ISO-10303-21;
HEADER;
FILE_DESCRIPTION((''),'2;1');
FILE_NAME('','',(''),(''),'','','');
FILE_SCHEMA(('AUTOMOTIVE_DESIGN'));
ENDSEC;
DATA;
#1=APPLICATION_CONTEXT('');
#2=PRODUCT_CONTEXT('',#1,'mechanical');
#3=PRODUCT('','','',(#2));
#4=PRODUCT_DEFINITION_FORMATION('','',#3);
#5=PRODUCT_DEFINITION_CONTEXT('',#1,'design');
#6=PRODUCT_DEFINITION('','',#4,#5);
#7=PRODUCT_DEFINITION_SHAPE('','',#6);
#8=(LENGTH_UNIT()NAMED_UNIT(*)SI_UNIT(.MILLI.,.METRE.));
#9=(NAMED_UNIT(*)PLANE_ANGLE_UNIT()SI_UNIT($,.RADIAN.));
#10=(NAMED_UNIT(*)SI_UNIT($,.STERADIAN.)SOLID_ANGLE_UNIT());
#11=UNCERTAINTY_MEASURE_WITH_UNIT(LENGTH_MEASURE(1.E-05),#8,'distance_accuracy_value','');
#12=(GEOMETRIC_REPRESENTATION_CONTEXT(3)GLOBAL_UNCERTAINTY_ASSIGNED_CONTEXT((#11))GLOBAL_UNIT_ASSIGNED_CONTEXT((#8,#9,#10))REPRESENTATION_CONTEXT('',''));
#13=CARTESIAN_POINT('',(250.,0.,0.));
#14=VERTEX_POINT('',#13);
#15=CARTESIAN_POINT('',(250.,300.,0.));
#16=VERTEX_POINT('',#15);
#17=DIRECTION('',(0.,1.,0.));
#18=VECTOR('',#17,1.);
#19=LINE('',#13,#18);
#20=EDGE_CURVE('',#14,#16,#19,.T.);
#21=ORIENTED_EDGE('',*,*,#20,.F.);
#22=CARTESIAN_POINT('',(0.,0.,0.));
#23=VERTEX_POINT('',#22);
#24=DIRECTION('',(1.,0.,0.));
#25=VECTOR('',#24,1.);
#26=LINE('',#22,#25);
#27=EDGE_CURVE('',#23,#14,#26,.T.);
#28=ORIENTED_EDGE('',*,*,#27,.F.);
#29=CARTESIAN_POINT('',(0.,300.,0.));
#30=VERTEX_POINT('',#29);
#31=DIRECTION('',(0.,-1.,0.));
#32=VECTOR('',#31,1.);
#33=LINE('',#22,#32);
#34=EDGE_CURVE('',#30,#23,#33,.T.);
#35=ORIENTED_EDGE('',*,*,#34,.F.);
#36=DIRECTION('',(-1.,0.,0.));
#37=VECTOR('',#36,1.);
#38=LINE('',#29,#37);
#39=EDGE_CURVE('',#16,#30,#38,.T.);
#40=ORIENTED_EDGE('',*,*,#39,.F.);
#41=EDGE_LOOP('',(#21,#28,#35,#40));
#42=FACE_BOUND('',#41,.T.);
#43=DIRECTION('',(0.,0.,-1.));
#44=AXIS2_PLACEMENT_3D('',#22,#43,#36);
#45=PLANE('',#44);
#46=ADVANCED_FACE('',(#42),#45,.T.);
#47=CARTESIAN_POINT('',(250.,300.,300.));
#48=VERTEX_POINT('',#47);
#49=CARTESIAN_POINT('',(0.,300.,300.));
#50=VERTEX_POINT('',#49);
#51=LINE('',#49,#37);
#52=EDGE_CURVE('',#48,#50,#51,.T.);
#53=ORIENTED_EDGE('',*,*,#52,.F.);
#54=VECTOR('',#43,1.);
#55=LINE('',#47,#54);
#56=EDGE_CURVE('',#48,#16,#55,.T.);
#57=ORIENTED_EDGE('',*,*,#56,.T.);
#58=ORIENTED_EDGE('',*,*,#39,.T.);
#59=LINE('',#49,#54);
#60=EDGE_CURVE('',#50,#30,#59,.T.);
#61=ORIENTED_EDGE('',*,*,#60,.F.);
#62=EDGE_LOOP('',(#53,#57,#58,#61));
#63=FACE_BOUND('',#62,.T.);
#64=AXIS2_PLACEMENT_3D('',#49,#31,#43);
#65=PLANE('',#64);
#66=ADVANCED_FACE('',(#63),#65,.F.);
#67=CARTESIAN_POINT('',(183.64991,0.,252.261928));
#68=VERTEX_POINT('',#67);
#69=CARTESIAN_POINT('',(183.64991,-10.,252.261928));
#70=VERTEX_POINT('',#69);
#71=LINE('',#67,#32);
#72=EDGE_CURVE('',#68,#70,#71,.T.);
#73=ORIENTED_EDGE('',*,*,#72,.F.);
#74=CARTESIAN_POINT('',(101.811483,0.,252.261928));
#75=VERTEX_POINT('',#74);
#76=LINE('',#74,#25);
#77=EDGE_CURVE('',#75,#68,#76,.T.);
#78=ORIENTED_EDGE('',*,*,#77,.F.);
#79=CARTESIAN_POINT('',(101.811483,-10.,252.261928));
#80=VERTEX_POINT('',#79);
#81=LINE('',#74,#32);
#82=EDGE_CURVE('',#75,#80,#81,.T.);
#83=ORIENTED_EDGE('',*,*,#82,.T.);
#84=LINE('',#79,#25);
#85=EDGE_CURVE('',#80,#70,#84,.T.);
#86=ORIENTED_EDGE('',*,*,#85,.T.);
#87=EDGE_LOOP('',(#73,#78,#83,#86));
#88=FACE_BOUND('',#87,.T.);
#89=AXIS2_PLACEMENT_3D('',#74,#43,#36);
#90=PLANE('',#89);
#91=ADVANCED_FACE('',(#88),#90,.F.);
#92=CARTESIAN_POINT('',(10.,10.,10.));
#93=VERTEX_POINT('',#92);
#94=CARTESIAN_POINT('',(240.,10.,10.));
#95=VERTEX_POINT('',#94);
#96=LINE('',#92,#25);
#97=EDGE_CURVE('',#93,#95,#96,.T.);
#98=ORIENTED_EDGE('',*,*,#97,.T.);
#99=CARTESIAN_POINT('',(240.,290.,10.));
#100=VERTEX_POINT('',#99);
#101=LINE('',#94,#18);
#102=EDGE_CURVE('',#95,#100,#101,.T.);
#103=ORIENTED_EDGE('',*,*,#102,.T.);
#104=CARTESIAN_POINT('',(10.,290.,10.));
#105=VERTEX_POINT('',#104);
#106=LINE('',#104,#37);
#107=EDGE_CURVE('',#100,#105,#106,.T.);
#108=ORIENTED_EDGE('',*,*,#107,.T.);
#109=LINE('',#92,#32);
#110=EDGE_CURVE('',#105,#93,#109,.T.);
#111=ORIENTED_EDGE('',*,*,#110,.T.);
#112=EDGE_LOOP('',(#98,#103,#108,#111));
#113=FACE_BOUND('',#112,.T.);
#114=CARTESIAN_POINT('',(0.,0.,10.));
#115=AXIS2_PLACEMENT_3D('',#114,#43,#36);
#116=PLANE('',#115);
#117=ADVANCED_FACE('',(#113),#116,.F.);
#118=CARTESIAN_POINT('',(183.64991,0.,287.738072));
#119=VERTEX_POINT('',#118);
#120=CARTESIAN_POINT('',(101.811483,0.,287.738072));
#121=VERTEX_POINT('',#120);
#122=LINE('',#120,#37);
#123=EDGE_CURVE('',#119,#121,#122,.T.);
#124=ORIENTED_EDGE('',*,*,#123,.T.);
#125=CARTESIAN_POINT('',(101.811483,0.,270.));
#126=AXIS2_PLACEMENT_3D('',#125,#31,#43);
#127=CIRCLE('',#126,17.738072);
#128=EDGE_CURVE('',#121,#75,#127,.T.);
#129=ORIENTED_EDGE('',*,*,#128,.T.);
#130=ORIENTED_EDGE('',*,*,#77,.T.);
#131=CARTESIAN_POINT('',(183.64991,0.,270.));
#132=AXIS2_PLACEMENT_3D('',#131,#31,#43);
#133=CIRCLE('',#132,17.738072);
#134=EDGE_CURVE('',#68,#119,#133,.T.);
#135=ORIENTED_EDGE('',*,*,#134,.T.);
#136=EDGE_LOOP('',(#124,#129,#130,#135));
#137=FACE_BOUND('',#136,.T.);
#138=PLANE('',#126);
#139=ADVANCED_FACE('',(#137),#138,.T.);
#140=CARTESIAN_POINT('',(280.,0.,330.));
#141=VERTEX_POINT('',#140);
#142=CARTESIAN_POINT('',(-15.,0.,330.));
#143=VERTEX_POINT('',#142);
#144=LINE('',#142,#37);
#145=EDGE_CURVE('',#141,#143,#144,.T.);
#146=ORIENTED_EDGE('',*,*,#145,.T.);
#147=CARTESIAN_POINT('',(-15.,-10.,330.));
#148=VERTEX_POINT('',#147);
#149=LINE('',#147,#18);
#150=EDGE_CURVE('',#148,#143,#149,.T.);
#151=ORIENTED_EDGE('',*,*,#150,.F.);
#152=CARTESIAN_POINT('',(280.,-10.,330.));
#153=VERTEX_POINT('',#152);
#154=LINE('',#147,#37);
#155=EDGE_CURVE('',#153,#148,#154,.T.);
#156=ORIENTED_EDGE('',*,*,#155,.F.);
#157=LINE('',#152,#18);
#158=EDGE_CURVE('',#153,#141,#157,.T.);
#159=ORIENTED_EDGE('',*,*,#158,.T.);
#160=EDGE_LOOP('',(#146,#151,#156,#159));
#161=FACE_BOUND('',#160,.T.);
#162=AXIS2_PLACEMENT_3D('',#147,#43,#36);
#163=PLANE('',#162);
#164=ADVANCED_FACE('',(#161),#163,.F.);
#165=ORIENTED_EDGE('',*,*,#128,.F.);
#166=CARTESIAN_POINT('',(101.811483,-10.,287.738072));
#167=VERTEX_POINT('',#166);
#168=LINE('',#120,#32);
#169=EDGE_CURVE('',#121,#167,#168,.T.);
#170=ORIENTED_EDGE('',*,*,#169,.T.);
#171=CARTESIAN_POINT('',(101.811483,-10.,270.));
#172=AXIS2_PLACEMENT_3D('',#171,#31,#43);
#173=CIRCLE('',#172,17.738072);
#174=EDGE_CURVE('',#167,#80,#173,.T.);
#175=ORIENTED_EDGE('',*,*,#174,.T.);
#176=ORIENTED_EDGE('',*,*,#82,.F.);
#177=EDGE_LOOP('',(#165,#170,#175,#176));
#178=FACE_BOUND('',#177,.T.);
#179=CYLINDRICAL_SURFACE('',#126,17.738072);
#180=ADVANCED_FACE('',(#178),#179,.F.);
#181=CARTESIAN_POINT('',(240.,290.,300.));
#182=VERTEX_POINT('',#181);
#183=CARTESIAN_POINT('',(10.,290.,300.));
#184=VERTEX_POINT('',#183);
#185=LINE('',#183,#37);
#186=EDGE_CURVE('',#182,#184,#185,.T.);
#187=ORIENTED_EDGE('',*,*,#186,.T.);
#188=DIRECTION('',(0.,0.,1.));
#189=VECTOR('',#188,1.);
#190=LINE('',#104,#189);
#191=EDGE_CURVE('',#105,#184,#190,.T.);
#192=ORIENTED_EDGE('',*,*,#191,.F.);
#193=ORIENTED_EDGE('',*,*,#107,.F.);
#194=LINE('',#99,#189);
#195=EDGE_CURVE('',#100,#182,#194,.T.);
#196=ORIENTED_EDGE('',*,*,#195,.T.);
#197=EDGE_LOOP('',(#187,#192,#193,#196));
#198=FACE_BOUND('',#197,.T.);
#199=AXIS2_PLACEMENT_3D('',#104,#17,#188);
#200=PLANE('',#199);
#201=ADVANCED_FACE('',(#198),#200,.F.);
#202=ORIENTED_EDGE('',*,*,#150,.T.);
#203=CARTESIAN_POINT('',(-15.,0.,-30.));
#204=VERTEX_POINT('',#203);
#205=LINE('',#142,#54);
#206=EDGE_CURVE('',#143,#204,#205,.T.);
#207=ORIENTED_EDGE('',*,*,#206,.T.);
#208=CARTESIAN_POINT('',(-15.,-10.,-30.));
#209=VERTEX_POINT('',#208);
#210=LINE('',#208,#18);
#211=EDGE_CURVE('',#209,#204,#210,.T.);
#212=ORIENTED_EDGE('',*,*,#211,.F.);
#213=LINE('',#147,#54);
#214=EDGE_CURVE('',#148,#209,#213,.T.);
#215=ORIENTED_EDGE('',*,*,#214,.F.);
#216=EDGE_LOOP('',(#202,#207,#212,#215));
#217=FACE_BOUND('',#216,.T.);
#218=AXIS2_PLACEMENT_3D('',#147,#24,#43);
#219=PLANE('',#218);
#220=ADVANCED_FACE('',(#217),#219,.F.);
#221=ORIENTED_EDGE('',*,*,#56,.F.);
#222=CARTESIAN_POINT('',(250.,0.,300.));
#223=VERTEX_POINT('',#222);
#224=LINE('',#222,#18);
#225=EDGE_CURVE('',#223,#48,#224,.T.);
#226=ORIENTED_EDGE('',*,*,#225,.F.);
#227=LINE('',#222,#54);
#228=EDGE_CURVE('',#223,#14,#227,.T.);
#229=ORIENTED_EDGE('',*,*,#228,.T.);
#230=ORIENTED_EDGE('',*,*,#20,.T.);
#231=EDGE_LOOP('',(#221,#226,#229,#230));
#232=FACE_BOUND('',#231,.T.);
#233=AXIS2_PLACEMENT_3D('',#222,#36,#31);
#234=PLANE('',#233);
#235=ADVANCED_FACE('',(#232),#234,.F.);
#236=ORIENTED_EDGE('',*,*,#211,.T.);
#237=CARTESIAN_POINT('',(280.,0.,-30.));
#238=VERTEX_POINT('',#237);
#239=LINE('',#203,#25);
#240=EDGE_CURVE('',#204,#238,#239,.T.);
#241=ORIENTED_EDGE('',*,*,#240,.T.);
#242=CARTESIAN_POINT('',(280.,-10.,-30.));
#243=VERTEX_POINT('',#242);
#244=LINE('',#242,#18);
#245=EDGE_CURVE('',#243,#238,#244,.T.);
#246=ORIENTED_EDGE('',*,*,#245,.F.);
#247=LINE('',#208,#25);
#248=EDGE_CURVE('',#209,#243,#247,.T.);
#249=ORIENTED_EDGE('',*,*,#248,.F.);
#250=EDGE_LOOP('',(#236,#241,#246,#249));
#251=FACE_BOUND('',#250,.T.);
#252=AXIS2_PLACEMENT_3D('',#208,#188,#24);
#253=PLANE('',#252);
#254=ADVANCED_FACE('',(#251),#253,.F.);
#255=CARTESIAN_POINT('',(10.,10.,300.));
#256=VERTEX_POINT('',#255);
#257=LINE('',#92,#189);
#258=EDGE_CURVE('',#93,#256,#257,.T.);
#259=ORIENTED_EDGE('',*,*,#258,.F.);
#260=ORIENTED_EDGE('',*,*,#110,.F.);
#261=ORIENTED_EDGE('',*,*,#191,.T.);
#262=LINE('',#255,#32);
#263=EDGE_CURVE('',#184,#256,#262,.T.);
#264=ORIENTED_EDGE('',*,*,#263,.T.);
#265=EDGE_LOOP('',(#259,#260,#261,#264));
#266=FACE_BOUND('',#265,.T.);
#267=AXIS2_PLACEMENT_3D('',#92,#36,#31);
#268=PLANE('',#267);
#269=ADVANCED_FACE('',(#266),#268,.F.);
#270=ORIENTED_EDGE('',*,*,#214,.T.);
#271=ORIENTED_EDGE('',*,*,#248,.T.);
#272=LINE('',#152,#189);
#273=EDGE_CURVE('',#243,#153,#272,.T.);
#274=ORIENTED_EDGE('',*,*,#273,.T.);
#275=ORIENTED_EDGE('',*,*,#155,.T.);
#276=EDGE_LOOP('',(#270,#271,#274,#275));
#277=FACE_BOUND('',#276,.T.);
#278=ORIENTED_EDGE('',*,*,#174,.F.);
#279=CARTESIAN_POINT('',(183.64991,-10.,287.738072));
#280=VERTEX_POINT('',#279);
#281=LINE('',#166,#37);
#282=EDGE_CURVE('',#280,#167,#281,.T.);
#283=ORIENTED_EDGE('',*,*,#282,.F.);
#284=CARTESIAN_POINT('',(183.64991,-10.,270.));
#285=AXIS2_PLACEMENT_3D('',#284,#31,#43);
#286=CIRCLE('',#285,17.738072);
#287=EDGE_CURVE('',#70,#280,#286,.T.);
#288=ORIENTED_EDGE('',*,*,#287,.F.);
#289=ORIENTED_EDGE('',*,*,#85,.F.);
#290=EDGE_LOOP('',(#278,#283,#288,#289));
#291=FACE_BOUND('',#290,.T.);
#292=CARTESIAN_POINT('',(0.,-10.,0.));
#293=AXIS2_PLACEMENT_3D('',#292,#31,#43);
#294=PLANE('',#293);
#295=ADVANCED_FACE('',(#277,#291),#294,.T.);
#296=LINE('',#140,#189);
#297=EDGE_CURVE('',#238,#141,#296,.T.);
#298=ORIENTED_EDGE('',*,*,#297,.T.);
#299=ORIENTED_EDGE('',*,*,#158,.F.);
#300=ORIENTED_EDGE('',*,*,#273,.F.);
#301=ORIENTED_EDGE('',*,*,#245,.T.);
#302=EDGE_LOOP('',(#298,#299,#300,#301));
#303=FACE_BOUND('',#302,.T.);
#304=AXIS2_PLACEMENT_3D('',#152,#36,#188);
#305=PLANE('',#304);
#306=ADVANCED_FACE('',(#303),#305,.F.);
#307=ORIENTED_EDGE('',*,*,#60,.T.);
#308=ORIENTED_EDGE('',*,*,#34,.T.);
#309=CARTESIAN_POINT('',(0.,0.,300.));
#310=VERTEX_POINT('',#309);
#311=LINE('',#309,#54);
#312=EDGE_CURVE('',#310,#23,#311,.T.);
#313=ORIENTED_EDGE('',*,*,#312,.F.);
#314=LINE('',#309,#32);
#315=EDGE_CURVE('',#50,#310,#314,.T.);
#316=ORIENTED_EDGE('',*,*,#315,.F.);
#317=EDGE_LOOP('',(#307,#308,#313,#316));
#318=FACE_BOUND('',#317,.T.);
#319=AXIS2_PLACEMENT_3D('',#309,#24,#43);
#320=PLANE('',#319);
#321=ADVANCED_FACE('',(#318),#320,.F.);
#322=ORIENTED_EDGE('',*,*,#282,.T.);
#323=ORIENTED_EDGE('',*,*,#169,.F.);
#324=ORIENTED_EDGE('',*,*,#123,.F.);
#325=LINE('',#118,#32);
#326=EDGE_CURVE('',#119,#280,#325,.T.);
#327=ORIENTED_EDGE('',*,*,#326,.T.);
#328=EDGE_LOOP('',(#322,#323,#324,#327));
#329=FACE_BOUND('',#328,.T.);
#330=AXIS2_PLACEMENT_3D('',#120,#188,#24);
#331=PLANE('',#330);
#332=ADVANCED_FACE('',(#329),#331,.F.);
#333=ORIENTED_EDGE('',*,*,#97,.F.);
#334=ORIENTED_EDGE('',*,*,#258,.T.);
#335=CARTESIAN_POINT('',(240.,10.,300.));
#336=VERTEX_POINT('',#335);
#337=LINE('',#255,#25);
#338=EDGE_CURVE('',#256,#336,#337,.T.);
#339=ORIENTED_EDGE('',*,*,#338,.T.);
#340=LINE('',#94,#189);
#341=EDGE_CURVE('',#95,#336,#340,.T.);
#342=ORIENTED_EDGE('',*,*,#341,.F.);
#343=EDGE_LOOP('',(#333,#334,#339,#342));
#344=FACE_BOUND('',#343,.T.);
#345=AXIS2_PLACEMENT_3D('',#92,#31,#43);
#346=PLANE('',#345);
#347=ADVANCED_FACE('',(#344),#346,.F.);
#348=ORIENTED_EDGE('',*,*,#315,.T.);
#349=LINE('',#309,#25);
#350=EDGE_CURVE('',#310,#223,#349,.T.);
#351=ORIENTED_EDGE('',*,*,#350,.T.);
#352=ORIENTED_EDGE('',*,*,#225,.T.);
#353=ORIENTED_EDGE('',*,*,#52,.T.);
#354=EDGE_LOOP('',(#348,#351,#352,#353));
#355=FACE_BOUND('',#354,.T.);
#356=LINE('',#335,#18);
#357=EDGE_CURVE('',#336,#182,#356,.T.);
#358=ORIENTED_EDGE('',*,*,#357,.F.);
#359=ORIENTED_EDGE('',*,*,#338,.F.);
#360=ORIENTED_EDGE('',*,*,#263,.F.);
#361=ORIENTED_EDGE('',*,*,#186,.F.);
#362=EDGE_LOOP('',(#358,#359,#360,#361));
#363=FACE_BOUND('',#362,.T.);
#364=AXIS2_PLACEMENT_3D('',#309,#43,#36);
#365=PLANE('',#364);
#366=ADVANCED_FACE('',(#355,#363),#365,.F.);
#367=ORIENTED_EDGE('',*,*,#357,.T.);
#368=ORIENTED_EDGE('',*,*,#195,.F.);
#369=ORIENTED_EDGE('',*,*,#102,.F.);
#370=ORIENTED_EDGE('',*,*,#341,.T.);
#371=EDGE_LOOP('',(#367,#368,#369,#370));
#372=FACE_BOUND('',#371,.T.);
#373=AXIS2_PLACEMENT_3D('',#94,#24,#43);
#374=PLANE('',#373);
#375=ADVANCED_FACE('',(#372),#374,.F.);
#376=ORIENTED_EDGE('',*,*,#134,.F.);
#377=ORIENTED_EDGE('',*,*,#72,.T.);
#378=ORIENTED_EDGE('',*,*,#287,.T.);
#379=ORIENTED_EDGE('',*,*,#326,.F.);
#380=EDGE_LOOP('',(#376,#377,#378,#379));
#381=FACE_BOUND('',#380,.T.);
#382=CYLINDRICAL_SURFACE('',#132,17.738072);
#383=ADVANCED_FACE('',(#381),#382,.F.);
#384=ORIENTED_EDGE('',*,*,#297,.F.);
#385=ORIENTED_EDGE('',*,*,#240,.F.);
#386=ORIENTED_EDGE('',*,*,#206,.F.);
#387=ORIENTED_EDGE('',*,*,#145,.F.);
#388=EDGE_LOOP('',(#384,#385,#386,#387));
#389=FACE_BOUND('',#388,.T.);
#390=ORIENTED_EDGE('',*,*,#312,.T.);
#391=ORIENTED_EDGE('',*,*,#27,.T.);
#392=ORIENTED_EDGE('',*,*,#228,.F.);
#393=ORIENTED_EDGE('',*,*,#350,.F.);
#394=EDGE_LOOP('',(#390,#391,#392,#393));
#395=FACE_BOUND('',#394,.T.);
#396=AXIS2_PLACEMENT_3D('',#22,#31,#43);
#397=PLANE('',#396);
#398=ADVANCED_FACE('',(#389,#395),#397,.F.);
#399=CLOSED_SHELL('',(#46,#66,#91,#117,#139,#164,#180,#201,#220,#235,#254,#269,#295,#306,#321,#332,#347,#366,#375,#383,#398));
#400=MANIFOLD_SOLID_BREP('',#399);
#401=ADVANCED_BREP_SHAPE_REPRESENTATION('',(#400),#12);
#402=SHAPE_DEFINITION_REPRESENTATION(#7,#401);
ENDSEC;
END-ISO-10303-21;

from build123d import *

# Parameters (mm, degrees)
SKETCH_1_W          = 250
SKETCH_1_H          = 300
EXTRUDE_1_DEPTH     = 300
SKETCH_2_W          = 230
SKETCH_2_H          = 280
CUT_EXTRUDE_1_DEPTH = 290
SKETCH_3_W          = 295
SKETCH_3_H          = 360
EXTRUDE_2_DEPTH     = 10
CUT_EXTRUDE_2_DEPTH = 10


with BuildPart() as part:
    # 草图1 → 凸台-拉伸1 (new body)
    with BuildSketch(Plane.XY):
        with Locations((125, 150)):
            Rectangle(SKETCH_1_W, SKETCH_1_H)
    extrude(amount=EXTRUDE_1_DEPTH)

    # 草图2 → 切除-拉伸1 (cut)
    with BuildSketch(Plane.XY.offset(300)):
        with Locations((125, 150)):
            Rectangle(SKETCH_2_W, SKETCH_2_H)
    extrude(amount=-CUT_EXTRUDE_1_DEPTH, mode=Mode.SUBTRACT)

    # 草图3 → 凸台-拉伸2 (add)
    with BuildSketch(Plane.XZ):
        with Locations((132.5, 150)):
            Rectangle(SKETCH_3_W, SKETCH_3_H)
    extrude(amount=EXTRUDE_2_DEPTH)

    # 草图4 → 切除-拉伸2 (cut)
    with BuildSketch(Plane(origin=(0, -10, 0), x_dir=(-1, 0, 0), z_dir=(0, -1, 0))):
        with BuildLine():
            Line((-101.811483313, -287.738071641), (-183.649909723, -287.738071641))
            ThreePointArc((-183.649909723, -287.738071641), (-201.387981364, -270), (-183.649909723, -252.261928359))
            Line((-183.649909723, -252.261928359), (-101.811483313, -252.261928359))
            ThreePointArc((-101.811483313, -252.261928359), (-84.073411671, -270), (-101.811483313, -287.738071641))
        make_face()
    extrude(amount=-CUT_EXTRUDE_2_DEPTH, mode=Mode.SUBTRACT)


solid = part.part
